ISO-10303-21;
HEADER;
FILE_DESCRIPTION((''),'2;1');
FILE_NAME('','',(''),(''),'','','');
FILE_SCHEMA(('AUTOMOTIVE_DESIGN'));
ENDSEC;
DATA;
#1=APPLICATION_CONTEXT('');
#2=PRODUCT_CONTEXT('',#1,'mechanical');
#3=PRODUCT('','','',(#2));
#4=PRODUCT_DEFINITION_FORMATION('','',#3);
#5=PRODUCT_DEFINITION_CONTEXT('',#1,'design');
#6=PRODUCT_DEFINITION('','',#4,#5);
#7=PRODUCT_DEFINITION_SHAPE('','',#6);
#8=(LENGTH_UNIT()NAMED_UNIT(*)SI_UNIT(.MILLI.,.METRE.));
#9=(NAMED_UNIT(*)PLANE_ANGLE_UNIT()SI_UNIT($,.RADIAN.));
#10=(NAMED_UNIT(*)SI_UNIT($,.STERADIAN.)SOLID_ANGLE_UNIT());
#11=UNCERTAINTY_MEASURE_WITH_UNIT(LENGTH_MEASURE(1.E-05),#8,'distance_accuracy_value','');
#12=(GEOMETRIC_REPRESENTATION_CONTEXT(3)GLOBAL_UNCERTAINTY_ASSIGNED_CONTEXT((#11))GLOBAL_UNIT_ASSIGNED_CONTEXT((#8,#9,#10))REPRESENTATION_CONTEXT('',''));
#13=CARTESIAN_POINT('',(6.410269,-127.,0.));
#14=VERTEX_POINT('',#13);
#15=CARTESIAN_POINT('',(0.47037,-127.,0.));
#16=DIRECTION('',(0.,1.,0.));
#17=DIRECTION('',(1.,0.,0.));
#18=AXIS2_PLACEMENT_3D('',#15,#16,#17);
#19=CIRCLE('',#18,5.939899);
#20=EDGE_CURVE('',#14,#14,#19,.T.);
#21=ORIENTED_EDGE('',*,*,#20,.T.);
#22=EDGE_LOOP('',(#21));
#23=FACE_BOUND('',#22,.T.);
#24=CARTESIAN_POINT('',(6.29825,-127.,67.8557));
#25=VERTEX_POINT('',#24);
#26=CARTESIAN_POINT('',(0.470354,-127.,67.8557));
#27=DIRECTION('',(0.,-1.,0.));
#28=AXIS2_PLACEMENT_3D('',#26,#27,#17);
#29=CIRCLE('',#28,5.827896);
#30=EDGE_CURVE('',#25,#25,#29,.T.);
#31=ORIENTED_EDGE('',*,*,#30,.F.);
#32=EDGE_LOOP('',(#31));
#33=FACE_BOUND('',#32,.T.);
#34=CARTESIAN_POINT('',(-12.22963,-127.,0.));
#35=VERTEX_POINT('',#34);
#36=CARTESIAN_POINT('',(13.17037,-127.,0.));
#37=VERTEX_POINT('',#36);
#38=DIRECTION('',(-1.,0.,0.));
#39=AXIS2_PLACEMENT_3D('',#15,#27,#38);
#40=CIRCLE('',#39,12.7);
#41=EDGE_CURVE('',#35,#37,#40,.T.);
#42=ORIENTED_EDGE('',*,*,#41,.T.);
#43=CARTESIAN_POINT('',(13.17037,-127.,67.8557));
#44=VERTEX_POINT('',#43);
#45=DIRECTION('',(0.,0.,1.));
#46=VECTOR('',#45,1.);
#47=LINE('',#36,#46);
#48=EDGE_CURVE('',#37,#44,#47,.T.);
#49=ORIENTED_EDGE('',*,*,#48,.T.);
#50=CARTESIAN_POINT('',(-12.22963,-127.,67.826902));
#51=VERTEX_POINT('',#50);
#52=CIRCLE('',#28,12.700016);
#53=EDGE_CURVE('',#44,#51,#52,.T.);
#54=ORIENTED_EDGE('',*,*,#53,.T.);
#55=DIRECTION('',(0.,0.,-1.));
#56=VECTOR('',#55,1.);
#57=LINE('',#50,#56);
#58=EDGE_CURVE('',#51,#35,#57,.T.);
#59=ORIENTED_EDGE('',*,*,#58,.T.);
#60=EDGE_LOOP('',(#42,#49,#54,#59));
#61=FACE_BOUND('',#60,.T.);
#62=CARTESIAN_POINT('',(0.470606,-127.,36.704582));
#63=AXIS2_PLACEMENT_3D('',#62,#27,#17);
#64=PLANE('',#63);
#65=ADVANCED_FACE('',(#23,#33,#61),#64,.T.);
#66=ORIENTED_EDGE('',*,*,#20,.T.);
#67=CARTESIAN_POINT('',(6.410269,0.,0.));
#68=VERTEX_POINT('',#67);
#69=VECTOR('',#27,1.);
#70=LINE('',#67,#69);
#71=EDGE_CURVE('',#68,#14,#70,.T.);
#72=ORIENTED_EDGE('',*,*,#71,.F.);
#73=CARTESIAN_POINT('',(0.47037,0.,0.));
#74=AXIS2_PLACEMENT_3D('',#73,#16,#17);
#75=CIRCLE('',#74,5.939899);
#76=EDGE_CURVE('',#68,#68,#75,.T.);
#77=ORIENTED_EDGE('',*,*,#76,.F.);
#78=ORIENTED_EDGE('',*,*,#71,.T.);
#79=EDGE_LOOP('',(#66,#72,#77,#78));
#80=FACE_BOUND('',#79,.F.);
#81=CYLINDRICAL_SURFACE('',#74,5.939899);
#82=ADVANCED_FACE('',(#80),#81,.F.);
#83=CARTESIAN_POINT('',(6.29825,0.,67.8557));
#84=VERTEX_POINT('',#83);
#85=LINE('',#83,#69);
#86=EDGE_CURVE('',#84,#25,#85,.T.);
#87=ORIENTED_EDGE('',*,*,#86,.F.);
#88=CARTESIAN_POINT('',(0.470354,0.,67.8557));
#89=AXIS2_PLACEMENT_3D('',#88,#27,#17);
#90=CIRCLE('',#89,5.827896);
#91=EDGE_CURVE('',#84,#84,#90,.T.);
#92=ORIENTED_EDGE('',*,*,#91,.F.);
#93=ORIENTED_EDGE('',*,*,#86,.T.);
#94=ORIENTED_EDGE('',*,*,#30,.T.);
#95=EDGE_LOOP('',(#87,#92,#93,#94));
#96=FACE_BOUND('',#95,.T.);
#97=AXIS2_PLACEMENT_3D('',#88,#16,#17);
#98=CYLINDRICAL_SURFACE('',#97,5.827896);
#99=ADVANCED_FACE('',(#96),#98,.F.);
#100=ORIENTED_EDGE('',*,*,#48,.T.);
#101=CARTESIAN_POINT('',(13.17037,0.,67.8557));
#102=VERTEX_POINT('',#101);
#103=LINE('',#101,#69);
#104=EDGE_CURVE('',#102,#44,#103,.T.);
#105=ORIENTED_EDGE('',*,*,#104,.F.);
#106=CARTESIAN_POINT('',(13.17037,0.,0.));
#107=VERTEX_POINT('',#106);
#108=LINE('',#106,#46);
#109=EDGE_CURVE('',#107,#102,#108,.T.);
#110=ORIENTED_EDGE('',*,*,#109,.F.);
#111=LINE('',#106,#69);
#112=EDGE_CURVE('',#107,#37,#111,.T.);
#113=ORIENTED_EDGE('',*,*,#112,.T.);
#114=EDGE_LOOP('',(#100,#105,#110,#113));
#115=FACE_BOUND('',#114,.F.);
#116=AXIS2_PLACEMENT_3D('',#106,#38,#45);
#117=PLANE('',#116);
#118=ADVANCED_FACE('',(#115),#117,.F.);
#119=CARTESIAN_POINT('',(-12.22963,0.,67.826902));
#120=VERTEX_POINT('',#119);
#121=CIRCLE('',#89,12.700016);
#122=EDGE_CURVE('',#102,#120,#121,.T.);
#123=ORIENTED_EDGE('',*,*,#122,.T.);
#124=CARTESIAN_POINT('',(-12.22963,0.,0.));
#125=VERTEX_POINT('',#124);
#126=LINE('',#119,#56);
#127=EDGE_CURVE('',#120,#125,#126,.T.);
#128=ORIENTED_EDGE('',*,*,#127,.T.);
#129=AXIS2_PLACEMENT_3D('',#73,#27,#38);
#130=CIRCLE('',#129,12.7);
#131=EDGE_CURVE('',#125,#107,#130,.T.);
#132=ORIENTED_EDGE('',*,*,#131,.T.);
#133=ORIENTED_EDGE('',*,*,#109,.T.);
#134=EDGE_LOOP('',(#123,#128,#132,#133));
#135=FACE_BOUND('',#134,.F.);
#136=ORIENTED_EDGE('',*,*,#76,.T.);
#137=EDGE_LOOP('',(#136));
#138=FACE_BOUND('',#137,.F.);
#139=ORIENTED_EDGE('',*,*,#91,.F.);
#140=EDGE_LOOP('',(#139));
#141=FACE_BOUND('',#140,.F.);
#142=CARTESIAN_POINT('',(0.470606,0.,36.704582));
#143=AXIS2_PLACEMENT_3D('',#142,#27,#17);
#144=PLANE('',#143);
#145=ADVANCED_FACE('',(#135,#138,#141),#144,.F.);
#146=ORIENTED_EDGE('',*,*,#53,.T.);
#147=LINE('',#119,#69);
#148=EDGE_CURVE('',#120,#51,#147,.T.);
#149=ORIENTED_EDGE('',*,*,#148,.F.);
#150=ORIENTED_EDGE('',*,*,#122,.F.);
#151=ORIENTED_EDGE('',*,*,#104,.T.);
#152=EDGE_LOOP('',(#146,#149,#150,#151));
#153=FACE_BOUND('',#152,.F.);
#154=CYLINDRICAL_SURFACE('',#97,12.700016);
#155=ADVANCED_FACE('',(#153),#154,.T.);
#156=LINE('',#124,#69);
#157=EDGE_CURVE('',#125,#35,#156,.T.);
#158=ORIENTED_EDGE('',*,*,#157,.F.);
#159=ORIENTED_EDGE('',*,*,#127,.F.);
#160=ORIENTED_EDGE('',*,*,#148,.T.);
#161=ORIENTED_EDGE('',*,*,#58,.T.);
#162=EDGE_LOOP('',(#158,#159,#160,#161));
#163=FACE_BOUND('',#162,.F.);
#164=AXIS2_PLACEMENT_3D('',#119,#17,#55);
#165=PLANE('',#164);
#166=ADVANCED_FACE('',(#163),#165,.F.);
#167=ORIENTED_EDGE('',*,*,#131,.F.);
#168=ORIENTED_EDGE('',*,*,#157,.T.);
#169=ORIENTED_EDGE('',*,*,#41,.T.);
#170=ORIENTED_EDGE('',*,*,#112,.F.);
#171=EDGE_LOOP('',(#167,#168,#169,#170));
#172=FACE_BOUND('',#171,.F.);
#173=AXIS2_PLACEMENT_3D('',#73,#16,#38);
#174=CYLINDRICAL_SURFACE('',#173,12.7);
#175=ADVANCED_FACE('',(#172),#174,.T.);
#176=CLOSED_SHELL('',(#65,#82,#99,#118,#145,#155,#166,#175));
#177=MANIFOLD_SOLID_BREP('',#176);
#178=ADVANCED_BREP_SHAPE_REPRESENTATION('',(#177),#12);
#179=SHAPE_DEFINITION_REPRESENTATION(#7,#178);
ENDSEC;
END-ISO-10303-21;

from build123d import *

# Parameters (mm, degrees)
F0_R     = 5.827895928
F1_DEPTH = 127


with BuildPart() as f1:
    # F0 (on Front) → F1 (new body)
    with BuildSketch(Plane.XZ):
        with BuildLine():
            ThreePointArc((-5.4695284326, 0), (0.470370132, 5.9398985646), (6.4102686966, 0))
            Line((6.4102686966, 0), (13.170370132, 0))
            Line((13.170370132, 0), (13.170370132, 67.8557001903))
            ThreePointArc((13.170370132, 67.8557001903), (0.4559546677, 80.5557083531), (-12.229629868, 67.8269019314))
            Line((-12.229629868, 67.8269019314), (-12.229629868, 0))
            Line((-12.229629868, 0), (-5.4695284326, 0))
        make_face()
        with Locations((0.4703538064, 67.8557001903)):
            Circle(F0_R, mode=Mode.SUBTRACT)
        with BuildLine():
            Line((13.170370132, 0), (6.4102686966, 0))
            ThreePointArc((6.4102686966, 0), (0.470370132, -5.9398985646), (-5.4695284326, 0))
            Line((-5.4695284326, 0), (-12.229629868, 0))
            ThreePointArc((-12.229629868, 0), (0.470370132, -12.7), (13.170370132, 0))
        make_face()
    extrude(amount=F1_DEPTH)


solid = f1.part
